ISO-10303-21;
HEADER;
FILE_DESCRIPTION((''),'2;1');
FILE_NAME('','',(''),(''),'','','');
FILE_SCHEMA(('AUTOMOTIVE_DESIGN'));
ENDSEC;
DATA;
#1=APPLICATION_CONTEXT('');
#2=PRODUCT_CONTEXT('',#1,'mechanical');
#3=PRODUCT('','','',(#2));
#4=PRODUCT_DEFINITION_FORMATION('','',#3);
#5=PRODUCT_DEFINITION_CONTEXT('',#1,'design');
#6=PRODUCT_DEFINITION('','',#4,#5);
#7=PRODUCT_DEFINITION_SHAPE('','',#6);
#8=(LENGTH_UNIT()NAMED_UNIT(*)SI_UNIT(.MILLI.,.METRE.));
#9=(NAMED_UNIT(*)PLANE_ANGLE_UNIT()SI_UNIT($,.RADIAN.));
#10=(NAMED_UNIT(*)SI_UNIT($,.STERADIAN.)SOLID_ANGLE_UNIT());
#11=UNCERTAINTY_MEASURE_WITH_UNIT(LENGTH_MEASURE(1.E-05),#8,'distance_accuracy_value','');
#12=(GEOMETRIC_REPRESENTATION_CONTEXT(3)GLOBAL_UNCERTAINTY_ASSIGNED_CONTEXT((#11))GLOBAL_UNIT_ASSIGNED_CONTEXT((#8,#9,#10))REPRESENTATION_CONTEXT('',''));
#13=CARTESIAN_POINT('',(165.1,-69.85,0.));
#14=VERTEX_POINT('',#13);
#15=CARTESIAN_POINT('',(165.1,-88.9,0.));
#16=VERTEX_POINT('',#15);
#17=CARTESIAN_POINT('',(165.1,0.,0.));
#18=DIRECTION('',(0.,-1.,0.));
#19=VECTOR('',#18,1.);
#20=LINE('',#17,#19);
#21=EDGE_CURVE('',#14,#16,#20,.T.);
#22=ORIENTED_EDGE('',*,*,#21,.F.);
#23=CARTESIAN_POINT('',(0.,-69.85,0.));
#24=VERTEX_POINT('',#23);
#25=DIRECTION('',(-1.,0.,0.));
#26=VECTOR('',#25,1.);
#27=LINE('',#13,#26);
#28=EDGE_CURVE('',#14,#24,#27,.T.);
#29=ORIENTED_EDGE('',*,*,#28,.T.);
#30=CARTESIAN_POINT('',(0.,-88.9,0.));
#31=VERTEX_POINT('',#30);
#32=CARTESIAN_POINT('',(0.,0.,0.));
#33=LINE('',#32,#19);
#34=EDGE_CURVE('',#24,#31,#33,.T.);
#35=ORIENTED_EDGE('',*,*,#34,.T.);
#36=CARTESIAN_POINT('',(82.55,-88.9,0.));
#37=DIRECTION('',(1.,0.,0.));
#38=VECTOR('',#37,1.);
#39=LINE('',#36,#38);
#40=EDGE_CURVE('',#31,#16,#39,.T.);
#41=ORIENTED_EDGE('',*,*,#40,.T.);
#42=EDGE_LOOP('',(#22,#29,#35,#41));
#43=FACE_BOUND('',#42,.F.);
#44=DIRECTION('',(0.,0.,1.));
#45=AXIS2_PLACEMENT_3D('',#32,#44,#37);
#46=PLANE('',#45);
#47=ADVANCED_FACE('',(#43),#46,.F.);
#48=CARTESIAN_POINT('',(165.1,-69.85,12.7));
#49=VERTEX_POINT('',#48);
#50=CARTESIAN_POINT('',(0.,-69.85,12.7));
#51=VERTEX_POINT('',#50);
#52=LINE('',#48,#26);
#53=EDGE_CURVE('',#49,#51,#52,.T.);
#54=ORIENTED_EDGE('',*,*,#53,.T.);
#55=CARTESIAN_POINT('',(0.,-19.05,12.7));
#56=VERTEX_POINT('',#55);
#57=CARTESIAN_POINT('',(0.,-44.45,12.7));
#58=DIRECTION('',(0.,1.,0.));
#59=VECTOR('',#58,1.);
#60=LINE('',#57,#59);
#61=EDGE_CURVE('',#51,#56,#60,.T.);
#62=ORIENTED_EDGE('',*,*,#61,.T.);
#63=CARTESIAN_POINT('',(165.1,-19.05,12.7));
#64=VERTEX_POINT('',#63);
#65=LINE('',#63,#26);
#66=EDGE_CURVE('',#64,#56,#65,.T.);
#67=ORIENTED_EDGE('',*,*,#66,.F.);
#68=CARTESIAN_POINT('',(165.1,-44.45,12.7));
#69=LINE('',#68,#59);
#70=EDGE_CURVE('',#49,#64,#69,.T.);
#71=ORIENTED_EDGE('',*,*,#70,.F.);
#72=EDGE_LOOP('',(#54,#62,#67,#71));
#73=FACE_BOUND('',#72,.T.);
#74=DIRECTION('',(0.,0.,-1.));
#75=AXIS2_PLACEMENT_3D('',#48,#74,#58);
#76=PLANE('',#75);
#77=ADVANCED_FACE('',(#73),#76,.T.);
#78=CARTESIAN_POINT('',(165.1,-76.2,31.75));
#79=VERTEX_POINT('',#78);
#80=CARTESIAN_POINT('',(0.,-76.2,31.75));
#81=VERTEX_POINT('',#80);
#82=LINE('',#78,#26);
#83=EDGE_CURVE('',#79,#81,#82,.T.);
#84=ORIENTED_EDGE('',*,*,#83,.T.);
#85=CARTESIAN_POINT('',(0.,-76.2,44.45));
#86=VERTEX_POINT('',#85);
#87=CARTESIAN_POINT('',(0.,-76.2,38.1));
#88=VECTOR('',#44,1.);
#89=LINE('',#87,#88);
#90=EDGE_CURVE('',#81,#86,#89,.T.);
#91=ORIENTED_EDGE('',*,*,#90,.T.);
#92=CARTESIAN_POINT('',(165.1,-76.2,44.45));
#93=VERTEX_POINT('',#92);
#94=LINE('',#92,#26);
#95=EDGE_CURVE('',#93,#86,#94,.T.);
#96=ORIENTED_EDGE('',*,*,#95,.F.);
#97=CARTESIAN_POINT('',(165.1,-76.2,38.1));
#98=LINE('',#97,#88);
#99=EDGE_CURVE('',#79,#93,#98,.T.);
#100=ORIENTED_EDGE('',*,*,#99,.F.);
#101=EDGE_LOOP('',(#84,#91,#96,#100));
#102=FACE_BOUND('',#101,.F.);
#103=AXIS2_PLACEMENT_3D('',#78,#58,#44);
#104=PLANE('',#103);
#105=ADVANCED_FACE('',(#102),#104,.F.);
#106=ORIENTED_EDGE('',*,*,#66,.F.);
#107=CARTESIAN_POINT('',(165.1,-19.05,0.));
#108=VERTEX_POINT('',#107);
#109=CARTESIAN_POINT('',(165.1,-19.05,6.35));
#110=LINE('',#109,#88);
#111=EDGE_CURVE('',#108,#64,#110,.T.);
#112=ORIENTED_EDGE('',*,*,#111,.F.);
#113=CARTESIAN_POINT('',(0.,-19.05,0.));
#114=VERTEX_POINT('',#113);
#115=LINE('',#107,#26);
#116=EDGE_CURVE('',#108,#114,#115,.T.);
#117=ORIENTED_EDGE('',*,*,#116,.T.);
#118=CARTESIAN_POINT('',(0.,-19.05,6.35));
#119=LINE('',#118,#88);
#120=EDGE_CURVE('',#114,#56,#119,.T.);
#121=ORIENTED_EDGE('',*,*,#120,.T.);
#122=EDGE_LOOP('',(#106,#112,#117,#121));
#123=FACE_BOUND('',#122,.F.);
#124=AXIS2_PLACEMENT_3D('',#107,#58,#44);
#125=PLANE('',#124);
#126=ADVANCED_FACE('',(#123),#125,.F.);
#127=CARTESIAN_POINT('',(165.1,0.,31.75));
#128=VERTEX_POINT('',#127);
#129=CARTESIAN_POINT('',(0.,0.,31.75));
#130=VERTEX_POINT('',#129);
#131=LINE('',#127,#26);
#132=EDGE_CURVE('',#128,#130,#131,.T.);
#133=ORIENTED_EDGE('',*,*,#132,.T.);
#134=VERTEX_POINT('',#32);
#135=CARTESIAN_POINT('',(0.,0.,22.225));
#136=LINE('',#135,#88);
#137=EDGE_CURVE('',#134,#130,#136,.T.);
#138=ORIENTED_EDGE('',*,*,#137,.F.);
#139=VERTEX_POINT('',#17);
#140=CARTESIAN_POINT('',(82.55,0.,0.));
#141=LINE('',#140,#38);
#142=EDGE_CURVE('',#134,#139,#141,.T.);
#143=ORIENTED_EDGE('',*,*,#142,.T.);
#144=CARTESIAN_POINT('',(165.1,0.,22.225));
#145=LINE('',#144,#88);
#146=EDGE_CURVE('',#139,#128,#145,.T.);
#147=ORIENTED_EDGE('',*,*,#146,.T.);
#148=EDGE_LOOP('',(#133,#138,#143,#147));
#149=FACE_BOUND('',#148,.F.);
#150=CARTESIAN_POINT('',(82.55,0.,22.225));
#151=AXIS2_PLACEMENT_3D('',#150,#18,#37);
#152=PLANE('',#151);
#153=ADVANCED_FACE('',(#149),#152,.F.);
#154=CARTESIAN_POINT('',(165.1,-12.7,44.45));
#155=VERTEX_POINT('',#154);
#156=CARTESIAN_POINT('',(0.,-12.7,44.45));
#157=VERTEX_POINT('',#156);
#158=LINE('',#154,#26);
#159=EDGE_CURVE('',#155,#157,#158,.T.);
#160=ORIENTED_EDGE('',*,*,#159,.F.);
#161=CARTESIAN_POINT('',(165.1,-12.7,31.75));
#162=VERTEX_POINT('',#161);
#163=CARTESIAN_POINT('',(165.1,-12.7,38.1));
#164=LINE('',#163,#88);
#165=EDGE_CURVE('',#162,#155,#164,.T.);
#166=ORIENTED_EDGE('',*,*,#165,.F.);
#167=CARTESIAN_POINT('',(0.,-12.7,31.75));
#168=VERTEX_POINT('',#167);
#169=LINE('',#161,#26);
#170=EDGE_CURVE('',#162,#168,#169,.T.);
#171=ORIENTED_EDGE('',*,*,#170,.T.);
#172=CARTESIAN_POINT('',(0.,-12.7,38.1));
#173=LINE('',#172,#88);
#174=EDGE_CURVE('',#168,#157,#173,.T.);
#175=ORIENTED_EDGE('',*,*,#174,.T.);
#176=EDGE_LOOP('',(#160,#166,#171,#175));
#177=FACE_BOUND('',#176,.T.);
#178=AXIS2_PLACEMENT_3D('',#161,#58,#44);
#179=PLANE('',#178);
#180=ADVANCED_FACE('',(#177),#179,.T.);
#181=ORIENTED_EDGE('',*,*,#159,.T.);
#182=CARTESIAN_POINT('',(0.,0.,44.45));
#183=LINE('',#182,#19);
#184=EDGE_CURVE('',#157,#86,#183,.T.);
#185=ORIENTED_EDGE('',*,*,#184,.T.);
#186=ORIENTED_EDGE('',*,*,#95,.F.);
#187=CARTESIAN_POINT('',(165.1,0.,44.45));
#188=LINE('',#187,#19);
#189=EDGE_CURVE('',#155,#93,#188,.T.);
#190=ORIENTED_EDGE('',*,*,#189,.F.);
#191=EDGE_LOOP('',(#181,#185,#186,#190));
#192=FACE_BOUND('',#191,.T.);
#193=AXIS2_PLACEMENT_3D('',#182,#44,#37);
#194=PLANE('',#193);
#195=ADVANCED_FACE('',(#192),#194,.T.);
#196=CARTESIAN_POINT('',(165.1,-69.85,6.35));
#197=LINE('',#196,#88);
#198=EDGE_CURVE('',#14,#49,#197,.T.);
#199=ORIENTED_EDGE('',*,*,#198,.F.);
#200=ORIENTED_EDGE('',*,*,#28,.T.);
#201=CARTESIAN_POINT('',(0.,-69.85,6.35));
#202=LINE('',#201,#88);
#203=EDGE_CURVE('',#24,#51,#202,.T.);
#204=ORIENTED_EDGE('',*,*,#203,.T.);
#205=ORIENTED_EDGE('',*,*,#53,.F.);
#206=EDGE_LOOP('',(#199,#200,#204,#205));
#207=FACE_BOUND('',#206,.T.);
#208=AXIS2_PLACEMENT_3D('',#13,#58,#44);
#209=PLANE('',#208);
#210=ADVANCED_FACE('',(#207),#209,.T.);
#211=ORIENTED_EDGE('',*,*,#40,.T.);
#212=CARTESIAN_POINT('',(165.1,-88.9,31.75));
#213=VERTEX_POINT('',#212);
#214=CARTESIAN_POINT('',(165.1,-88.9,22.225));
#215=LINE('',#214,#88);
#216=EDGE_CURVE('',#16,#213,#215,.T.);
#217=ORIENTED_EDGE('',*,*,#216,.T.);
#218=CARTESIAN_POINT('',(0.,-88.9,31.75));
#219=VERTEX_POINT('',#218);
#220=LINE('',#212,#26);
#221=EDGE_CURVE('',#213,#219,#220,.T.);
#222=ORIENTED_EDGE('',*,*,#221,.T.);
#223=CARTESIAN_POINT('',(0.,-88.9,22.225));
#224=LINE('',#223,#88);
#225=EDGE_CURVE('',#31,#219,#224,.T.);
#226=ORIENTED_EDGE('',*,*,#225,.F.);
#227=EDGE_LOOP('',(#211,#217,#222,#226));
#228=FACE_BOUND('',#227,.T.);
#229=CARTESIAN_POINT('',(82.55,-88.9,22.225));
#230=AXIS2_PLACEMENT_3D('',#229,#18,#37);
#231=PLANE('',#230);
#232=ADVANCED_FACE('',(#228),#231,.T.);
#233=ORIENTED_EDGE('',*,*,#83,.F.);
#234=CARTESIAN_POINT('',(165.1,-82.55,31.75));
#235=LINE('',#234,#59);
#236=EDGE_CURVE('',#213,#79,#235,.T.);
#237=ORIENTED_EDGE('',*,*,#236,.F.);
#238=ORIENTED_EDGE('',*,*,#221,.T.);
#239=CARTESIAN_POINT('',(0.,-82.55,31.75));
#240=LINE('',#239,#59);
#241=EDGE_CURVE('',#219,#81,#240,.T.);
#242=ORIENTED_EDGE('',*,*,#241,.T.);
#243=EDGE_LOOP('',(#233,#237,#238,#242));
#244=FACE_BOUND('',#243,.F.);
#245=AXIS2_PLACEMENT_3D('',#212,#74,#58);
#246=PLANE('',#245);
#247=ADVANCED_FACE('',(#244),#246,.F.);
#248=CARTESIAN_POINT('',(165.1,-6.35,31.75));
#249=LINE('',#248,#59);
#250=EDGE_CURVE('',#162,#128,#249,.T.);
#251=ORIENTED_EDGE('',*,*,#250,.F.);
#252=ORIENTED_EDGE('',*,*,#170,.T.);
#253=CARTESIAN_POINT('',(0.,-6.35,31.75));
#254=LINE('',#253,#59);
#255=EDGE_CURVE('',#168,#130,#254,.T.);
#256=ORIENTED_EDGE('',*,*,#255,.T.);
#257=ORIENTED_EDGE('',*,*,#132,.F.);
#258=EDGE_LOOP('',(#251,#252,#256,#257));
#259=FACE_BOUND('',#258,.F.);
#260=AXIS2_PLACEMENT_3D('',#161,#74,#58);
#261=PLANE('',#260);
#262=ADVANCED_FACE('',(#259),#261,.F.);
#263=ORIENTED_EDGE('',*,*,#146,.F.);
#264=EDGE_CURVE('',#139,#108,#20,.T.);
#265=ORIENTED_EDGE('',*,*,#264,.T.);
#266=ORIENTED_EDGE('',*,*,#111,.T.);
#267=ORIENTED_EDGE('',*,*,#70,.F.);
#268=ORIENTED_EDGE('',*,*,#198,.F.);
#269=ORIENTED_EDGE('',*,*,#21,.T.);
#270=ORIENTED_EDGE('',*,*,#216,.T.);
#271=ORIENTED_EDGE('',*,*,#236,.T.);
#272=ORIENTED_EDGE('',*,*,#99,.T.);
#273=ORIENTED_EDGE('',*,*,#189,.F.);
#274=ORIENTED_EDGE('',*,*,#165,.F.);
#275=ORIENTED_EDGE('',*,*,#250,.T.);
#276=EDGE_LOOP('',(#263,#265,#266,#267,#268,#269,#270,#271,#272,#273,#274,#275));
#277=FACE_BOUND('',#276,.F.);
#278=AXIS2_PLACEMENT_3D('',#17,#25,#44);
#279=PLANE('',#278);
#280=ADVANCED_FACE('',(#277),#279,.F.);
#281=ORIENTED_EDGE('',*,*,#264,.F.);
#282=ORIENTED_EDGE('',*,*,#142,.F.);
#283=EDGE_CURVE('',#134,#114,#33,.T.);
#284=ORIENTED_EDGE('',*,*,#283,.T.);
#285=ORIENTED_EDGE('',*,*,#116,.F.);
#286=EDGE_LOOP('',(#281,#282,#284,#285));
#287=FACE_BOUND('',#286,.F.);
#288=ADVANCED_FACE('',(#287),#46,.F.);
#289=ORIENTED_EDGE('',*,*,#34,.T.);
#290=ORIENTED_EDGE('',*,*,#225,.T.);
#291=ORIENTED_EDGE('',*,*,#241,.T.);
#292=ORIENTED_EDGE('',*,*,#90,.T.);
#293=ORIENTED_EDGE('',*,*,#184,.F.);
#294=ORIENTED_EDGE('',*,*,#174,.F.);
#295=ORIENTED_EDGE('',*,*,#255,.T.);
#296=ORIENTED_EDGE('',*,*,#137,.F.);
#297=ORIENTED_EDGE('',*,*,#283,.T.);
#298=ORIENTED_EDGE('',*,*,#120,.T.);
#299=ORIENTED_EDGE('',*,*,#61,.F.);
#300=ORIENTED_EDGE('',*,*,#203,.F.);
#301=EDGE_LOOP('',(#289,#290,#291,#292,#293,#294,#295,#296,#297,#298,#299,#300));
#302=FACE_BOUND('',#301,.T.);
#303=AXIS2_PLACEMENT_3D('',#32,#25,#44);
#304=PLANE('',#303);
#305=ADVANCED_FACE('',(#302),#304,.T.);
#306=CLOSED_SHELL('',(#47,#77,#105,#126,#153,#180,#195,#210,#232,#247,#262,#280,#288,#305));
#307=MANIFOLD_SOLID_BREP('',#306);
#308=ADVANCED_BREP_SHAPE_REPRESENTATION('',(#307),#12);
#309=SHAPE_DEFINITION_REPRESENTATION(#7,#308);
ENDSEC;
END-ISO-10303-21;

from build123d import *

# Parameters (mm, degrees)
F0_W     = 165.1
F0_H     = 44.45
F1_DEPTH = 88.9
F2_W     = 50.8
F2_H     = 12.7
F3_DEPTH = 165.1
F4_W     = 12.7
F4_H     = 12.7
F5_DEPTH = 165.1


with BuildPart() as f1:
    # F0 (on Front) → F1 (new body)
    with BuildSketch(Plane.XZ):
        with Locations((82.55, 22.225)):
            Rectangle(F0_W, F0_H)
    extrude(amount=F1_DEPTH)

    # F2 (on face) → F3 (cut)
    with BuildSketch(Plane.YZ.offset(165.1)):
        with Locations((-44.45, 6.35)):
            Rectangle(F2_W, F2_H)
    extrude(amount=-F3_DEPTH, mode=Mode.SUBTRACT)

    # F4 (on face) → F5 (cut)
    with BuildSketch(Plane.YZ.offset(165.1)):
        with Locations((-82.55, 38.1)):
            Rectangle(F4_W, F4_H)
        with Locations((-6.35, 38.1)):
            Rectangle(F4_W, F4_H)
    extrude(amount=-F5_DEPTH, mode=Mode.SUBTRACT)


solid = f1.part
